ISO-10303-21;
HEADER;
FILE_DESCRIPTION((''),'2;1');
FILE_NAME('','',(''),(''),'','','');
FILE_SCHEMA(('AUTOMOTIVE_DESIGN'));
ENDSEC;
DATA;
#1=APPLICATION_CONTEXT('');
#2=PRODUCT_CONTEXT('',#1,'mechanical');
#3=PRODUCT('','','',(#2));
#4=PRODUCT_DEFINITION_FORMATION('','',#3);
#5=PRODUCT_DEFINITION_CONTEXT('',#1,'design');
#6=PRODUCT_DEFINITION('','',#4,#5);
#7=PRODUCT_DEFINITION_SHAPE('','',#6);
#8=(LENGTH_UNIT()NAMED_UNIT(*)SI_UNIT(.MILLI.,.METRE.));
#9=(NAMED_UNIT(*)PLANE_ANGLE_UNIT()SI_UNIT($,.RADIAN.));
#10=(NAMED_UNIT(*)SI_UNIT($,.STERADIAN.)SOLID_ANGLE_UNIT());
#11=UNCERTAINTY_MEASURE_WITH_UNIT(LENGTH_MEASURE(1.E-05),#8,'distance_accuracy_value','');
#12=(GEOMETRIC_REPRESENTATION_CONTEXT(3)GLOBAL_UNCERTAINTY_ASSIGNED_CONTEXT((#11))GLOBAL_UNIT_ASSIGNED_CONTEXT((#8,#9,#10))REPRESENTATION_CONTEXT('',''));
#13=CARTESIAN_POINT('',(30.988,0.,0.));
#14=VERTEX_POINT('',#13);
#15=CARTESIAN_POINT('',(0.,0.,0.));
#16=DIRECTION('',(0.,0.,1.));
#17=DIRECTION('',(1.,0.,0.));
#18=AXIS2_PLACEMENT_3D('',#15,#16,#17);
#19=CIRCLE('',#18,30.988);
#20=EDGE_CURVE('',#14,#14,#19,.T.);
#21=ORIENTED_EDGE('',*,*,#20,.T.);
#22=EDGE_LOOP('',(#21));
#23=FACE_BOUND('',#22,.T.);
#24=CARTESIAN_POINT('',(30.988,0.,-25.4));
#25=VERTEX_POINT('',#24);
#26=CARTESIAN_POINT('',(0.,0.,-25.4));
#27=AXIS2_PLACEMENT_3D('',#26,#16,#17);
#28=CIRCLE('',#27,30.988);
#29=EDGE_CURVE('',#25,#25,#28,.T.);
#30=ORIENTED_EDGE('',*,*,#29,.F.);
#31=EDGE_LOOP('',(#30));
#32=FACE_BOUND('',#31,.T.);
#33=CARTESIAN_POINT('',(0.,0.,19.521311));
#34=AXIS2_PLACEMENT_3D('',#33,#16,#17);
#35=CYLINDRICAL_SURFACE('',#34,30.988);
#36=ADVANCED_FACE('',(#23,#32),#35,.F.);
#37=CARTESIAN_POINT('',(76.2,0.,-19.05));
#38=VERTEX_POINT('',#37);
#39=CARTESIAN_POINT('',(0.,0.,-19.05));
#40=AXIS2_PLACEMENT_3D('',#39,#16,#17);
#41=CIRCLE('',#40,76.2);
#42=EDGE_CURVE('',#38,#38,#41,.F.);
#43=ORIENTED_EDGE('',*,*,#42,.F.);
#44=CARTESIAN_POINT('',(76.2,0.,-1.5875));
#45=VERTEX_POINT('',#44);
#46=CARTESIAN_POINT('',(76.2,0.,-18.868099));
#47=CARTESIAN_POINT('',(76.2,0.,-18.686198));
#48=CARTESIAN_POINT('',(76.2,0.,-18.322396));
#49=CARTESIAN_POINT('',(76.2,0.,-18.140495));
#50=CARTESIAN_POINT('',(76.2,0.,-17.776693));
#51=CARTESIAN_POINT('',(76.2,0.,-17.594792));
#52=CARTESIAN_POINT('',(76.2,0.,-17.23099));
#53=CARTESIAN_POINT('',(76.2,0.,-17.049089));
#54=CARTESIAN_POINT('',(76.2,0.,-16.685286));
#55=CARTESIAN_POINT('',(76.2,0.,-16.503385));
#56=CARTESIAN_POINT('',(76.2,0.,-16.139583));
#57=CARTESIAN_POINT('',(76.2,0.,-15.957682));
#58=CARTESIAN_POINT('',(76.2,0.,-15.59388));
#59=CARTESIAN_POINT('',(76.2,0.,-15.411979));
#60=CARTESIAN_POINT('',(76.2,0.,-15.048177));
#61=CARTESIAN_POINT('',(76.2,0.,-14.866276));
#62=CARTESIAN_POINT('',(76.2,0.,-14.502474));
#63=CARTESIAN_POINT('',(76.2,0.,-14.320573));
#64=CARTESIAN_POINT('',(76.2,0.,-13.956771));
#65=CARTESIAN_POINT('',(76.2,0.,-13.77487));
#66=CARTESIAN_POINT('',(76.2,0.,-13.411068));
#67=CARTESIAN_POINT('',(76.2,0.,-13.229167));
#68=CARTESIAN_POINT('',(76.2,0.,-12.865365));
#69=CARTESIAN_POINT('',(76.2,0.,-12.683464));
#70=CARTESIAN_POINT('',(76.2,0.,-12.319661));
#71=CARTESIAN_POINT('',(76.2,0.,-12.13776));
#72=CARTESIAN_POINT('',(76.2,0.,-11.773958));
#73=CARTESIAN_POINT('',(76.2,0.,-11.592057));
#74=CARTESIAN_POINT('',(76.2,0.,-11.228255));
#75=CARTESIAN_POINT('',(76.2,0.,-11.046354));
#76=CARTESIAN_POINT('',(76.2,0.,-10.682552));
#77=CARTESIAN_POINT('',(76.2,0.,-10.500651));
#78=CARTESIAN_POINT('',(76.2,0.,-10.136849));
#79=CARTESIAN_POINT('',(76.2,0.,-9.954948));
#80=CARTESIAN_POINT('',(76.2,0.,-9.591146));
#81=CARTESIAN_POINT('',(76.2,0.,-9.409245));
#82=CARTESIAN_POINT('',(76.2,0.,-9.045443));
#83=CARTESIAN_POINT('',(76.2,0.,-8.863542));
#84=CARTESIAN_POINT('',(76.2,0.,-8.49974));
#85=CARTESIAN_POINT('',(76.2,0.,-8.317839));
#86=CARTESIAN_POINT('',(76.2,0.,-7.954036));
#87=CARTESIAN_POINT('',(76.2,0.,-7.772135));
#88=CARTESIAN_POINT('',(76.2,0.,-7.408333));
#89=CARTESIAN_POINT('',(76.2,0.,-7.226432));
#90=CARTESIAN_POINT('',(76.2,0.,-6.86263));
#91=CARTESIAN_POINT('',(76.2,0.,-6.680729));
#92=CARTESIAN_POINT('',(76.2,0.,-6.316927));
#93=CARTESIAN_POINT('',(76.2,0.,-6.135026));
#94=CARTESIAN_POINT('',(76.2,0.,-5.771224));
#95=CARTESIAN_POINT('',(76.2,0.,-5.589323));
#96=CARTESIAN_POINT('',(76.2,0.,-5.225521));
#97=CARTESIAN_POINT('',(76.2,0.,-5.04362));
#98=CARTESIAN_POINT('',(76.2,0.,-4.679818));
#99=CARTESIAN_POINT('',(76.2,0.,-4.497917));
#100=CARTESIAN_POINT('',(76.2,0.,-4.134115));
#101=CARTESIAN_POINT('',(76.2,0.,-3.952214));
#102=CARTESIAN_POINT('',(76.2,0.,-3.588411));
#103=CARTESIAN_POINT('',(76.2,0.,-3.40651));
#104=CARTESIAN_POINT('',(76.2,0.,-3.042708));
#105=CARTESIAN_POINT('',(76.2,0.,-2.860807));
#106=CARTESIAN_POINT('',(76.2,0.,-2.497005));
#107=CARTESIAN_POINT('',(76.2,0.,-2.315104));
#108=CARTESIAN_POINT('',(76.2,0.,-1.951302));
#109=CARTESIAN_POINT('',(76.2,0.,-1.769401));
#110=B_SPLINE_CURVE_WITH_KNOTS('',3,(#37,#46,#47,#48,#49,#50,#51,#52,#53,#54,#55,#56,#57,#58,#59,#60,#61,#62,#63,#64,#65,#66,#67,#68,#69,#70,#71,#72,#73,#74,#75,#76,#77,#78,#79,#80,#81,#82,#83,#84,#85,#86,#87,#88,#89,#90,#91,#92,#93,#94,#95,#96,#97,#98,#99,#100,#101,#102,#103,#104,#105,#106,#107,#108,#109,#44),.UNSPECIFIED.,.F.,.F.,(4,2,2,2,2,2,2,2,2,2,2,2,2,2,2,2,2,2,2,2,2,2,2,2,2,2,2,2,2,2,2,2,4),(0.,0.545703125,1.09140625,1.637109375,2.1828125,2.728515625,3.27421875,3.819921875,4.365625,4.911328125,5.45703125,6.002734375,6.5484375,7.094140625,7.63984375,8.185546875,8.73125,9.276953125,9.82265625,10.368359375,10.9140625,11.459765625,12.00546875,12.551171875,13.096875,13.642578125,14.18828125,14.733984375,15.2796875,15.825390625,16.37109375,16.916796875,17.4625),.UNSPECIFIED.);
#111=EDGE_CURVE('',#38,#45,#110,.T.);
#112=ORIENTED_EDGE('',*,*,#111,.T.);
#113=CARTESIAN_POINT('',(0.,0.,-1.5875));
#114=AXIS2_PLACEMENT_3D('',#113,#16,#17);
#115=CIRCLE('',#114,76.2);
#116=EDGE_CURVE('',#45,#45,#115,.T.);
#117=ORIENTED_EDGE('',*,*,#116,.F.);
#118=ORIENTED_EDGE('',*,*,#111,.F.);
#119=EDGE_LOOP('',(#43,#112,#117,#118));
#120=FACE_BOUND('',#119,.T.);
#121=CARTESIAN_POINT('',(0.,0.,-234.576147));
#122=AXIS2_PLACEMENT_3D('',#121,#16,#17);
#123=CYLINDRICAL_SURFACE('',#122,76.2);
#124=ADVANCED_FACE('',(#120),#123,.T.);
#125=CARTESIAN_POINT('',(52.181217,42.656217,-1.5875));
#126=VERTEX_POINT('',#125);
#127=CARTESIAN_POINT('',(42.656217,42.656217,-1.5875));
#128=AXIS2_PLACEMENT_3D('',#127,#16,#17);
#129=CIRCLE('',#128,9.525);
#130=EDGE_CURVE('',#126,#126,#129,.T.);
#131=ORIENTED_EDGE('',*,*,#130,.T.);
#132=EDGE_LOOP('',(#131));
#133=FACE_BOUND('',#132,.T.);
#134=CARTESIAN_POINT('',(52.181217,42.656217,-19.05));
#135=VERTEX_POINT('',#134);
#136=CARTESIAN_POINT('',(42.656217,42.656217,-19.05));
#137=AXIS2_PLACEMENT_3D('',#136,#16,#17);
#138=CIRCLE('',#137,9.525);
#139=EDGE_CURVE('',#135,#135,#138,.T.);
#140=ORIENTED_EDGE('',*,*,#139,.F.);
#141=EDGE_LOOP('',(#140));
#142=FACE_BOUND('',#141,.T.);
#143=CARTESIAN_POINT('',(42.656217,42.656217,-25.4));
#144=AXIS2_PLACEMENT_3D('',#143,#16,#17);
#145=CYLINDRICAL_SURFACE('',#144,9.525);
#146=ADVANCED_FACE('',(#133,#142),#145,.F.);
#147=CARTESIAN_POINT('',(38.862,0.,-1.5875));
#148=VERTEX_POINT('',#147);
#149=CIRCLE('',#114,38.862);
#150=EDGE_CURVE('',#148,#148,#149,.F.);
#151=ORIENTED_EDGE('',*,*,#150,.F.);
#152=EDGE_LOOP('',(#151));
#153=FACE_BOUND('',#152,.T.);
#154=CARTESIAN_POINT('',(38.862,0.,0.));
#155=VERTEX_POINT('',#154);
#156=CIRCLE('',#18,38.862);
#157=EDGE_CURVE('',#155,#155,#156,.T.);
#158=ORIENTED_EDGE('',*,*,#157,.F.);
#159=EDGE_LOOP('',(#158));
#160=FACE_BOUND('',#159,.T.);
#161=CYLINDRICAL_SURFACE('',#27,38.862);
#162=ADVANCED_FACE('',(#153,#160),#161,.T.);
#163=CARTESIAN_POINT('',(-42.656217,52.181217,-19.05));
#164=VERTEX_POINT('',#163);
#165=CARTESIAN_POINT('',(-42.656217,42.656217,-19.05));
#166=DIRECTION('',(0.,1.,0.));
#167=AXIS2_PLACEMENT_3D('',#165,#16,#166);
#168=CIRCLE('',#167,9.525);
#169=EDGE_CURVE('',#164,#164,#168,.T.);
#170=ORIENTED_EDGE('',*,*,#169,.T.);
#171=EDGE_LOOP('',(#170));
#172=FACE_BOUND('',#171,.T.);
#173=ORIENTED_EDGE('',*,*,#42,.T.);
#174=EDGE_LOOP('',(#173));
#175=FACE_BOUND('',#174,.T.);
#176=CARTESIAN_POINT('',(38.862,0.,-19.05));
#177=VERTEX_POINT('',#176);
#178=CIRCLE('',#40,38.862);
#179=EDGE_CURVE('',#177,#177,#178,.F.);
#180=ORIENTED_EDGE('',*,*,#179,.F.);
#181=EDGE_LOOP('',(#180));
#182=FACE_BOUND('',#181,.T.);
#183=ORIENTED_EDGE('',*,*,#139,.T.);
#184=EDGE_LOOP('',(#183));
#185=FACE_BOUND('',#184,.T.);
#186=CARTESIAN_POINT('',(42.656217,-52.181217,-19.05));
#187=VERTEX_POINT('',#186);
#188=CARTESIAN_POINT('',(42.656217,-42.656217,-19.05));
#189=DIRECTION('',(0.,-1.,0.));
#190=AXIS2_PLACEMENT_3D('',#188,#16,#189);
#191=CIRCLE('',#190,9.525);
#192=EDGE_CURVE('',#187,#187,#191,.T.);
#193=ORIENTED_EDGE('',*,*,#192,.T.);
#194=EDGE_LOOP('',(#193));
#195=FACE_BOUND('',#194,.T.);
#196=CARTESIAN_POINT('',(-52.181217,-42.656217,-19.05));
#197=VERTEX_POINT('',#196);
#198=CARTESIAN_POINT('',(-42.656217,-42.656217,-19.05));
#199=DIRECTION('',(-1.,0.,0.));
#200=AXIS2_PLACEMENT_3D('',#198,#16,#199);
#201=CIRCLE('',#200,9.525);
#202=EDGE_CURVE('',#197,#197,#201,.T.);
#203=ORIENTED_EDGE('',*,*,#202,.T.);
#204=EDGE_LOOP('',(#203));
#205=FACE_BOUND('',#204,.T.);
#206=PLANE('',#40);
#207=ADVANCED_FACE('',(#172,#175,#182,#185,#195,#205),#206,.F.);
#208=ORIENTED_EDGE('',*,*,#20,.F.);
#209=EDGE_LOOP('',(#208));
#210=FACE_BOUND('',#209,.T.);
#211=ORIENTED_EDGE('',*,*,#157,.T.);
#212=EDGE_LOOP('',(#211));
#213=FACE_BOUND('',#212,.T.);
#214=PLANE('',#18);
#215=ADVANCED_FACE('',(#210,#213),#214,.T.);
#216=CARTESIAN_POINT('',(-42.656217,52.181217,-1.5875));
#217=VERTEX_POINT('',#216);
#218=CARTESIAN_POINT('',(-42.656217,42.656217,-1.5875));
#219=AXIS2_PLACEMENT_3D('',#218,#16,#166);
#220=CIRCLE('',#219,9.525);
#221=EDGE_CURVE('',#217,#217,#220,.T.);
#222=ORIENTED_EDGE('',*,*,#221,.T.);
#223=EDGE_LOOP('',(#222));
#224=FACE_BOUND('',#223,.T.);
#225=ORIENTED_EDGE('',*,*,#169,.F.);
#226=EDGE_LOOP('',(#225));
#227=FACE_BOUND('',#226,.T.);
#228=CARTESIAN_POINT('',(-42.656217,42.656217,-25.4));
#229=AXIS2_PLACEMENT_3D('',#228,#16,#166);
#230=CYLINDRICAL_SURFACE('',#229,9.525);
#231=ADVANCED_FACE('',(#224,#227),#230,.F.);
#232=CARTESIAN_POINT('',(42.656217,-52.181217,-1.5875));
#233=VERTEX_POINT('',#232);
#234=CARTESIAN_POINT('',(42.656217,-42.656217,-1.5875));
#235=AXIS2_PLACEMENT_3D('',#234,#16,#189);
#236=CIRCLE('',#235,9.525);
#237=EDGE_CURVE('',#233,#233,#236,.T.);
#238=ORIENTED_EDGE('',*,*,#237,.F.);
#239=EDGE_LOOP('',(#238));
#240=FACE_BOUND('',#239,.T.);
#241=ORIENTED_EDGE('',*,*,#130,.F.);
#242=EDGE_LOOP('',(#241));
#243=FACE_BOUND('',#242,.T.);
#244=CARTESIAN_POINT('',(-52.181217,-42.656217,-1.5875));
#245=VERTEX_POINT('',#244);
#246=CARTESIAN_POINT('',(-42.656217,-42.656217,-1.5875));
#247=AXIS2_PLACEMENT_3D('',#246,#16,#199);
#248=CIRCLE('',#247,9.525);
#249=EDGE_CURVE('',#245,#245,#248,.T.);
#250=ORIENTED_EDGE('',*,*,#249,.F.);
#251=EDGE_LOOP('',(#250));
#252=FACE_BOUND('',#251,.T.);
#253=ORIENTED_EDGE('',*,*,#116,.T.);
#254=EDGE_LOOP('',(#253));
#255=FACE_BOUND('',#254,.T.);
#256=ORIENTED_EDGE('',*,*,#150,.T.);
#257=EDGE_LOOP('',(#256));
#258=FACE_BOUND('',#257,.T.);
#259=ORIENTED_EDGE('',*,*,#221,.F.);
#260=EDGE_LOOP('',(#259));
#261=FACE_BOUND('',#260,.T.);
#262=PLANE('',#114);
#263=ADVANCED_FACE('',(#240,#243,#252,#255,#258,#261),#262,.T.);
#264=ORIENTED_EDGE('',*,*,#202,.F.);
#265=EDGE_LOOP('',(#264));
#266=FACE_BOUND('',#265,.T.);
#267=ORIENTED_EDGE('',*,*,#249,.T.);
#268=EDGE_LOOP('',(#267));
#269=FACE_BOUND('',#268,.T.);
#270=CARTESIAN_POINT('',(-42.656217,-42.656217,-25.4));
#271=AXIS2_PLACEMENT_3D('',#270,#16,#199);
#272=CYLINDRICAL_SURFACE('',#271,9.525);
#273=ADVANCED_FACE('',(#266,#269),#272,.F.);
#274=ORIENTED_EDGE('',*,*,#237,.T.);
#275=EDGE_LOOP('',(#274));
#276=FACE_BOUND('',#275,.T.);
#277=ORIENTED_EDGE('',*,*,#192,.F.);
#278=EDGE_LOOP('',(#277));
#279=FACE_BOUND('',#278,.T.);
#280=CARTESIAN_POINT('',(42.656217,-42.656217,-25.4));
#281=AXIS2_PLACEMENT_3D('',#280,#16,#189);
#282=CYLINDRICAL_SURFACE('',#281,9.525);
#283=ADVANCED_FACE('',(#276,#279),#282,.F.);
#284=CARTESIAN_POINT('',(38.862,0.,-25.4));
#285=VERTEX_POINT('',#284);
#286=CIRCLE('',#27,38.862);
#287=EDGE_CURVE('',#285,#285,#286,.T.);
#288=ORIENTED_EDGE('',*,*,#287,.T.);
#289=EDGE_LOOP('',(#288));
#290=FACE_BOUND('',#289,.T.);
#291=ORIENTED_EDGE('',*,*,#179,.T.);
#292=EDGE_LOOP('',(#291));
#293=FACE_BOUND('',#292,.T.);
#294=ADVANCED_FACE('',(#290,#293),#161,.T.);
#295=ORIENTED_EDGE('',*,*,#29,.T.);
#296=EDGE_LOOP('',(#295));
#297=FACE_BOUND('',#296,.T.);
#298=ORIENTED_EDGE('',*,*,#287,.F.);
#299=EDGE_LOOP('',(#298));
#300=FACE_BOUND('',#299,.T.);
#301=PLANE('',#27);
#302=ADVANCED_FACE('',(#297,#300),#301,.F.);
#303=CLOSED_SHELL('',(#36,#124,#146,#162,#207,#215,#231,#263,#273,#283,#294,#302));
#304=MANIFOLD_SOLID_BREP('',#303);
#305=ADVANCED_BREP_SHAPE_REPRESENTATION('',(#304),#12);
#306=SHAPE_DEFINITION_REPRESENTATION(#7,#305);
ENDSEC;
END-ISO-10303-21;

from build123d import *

# Parameters (mm, degrees)
HUB_DIAMETER_R                = 38.862
HUB_DEPTH                     = 25.4
FLANGE_DIAMETER_R             = 76.2
FLANGE_DEPTH                  = 17.4625
REVOLUTION_PROFILE_FOR_BORE_W = 30.988
REVOLUTION_PROFILE_FOR_BORE_H = 228.6
BOLT_DIAMETER_R               = 9.525
BOLT_HOLE_DEPTH               = 111.362652905
BOLT_HOLE_PATTERN_COUNT       = 4
BOLT_HOLE_PATTERN_ANGLE       = 270


with BuildPart() as part:
    # Hub Diameter → Hub (new body)
    with BuildSketch(Plane.XY):
        Circle(HUB_DIAMETER_R)
    extrude(amount=-HUB_DEPTH)

    # Flange Diameter → Flange (add)
    with BuildSketch(Plane.XY.offset(-1.5875)):
        Circle(FLANGE_DIAMETER_R)
    extrude(amount=-FLANGE_DEPTH)

    # Revolution profile for Bore → Bore (revolve, cut)
    with BuildSketch(Plane(origin=(0, 0, 0), x_dir=(1, 0, 0), z_dir=(0, 1, 0))):
        with Locations((15.494, 114.3)):
            Rectangle(REVOLUTION_PROFILE_FOR_BORE_W, REVOLUTION_PROFILE_FOR_BORE_H)
    revolve(axis=Axis((0, 0, 19.52131148), (0, 0, -1)), mode=Mode.SUBTRACT)

    # Bolt Diameter → Bolt Hole (cut, through all)
    with BuildSketch(Plane.XY.offset(-1.5875)):
        with Locations((42.656216575, 42.656216575)):
            Circle(BOLT_DIAMETER_R)
    bolt_hole = extrude(amount=-BOLT_HOLE_DEPTH, mode=Mode.SUBTRACT)

    # Bolt Hole Pattern: Bolt Hole ×4 about axis
    bolt_hole_pattern_axis = Axis((0, 0, -50), (0, 0, 1))
    for i in range(1, BOLT_HOLE_PATTERN_COUNT):
        add(bolt_hole.rotate(bolt_hole_pattern_axis, i * BOLT_HOLE_PATTERN_ANGLE / (BOLT_HOLE_PATTERN_COUNT - 1)), mode=Mode.SUBTRACT)


solid = part.part
